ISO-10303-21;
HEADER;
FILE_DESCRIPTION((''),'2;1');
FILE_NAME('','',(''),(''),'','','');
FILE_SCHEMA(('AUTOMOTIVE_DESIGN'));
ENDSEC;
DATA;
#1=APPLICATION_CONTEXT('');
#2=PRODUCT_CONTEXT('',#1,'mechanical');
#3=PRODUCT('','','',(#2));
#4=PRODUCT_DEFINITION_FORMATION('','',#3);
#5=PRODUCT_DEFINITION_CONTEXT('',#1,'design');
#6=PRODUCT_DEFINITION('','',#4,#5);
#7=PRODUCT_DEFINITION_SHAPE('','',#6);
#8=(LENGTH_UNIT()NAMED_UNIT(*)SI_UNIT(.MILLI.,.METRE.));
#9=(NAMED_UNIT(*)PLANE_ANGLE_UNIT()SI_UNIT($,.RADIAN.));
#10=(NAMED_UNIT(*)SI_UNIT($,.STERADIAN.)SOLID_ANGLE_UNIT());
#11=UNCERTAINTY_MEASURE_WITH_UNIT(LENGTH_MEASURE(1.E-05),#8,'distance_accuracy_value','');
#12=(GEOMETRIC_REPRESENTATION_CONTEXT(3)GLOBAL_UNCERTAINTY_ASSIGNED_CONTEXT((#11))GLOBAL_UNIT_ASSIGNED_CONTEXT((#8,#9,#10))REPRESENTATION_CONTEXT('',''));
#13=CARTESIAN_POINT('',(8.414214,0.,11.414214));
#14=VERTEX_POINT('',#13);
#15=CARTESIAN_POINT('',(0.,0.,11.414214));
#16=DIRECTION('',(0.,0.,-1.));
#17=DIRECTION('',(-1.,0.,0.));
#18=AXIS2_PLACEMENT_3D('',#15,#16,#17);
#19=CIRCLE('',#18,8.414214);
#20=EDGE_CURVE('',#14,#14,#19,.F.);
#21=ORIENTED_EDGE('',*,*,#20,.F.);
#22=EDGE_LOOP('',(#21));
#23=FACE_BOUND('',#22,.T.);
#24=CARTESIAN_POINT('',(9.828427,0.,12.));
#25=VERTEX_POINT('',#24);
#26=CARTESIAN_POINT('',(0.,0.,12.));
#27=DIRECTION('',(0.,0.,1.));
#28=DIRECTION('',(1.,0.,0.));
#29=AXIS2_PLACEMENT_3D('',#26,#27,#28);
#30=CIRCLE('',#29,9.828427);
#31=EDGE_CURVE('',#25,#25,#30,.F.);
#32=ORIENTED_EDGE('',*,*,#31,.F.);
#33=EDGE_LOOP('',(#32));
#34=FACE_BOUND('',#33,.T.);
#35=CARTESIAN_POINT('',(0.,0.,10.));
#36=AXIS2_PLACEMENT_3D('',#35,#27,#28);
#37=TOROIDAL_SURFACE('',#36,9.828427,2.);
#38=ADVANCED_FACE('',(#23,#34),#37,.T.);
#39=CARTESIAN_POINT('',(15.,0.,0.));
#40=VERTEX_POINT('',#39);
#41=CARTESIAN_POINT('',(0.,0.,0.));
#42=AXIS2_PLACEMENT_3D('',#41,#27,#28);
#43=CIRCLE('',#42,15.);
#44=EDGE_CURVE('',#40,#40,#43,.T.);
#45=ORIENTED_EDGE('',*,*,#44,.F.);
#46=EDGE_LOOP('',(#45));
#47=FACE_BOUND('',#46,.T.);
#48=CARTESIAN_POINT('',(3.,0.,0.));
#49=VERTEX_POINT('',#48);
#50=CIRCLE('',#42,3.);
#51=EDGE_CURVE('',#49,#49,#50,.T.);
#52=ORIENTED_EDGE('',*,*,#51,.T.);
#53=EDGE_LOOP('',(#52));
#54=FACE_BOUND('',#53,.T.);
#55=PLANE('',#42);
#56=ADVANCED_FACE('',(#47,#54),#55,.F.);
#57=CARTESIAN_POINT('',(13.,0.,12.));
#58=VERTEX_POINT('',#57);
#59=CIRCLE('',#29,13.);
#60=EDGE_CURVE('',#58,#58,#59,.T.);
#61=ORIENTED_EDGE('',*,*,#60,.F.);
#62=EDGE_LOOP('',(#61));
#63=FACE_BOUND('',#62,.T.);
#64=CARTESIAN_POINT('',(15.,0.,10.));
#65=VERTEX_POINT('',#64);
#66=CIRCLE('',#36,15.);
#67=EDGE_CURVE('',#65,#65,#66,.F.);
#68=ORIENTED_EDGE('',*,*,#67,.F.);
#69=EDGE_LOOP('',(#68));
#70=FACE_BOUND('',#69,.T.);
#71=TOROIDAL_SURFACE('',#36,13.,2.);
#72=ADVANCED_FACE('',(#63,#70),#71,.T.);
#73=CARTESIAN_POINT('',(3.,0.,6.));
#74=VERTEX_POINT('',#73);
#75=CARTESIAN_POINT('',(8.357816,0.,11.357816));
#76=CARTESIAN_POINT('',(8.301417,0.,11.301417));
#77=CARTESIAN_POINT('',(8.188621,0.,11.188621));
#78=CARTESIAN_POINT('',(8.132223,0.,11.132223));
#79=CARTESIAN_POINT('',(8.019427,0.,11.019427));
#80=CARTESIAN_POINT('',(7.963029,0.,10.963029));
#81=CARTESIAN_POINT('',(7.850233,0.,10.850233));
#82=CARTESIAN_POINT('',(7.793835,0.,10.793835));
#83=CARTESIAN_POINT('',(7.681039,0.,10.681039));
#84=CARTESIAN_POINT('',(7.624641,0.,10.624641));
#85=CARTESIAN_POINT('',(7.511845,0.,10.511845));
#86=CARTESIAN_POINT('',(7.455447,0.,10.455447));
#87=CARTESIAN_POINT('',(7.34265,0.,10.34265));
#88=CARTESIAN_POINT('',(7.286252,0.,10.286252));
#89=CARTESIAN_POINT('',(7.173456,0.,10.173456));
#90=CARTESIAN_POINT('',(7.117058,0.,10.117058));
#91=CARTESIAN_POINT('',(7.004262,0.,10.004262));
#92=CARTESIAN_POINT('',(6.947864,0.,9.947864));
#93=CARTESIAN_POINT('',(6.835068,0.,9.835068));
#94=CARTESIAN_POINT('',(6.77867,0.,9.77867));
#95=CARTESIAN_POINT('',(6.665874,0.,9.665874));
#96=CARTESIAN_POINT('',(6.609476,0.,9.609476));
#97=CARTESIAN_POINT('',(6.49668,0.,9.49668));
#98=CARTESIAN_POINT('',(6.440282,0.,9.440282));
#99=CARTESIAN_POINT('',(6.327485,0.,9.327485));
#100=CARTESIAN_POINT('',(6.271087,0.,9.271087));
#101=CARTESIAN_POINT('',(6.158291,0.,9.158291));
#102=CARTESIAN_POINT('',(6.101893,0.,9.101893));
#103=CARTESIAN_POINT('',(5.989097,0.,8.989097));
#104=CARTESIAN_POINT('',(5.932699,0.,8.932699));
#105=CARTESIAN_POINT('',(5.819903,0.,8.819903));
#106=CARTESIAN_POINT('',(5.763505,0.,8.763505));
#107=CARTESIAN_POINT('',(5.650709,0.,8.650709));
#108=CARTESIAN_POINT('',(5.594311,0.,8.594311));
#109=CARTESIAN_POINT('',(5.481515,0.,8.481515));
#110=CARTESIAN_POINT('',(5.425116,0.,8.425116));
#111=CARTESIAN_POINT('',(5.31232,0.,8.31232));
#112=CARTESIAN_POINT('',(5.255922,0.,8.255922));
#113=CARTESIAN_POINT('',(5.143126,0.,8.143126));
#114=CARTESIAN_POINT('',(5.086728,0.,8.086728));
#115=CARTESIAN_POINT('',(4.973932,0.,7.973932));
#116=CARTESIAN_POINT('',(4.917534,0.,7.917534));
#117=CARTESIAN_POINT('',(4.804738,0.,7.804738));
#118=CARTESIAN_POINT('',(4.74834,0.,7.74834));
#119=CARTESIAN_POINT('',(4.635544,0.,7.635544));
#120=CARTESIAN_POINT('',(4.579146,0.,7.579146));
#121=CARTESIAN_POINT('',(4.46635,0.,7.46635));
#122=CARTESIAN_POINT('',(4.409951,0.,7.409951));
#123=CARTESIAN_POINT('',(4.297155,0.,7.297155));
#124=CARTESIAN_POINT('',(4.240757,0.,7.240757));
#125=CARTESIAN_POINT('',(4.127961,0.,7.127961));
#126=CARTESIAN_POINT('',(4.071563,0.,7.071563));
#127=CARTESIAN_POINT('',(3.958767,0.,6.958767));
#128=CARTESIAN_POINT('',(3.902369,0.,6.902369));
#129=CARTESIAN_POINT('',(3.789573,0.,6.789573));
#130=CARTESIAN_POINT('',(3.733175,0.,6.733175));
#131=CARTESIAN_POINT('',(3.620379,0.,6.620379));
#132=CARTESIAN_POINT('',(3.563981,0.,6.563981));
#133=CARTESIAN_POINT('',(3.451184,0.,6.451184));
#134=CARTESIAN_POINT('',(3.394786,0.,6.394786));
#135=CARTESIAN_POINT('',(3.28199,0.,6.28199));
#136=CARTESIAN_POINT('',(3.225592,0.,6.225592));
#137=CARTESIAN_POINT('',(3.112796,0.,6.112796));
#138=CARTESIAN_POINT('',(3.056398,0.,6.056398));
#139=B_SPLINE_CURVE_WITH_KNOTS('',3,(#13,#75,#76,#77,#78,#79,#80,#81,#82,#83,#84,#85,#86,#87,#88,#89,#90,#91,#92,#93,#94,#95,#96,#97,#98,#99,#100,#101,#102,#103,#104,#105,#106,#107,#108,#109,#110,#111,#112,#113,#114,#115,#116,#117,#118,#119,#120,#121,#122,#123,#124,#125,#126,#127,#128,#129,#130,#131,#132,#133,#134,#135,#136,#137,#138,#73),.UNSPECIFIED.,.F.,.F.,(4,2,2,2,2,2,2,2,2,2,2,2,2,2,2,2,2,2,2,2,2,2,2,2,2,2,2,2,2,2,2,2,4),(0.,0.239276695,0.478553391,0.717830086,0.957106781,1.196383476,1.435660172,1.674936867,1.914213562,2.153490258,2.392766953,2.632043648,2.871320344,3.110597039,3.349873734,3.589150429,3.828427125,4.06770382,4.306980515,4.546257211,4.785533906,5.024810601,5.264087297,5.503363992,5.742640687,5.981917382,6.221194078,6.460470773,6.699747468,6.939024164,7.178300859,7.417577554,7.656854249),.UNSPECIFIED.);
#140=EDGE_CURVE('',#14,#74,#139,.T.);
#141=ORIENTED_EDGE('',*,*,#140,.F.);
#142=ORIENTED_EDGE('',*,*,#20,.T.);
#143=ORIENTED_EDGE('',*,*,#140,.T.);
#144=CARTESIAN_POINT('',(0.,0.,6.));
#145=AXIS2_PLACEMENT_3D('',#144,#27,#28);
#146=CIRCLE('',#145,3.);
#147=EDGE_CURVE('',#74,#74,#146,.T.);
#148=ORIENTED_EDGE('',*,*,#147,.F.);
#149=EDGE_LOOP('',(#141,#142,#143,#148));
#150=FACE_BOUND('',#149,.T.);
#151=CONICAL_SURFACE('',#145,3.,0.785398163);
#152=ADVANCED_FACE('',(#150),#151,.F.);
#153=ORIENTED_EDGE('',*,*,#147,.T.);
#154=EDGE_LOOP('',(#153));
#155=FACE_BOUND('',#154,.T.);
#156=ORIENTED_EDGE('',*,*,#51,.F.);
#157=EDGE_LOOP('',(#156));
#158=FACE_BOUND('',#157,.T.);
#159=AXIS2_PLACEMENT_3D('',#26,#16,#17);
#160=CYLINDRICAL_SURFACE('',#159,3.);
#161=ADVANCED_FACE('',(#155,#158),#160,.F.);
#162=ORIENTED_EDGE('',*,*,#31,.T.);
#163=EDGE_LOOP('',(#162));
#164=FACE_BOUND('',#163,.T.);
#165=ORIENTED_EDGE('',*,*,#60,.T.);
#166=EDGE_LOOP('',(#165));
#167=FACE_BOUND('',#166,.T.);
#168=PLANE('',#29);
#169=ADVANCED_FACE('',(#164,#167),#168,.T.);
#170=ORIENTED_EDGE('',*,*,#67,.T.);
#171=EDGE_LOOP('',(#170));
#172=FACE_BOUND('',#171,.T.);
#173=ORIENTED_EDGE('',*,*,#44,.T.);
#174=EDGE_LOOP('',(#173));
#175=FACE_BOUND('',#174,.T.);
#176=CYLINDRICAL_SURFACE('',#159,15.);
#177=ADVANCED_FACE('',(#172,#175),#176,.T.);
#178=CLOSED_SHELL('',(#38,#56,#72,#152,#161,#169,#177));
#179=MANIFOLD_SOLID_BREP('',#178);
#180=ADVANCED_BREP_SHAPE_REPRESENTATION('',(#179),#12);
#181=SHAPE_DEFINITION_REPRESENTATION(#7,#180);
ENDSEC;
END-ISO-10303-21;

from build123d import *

# Parameters (mm, degrees)
ESQUISSE1_R        = 15
ESQUISSE1_R_2      = 3
BOSS_EXTRU_1_DEPTH = 12
CHANFREIN1_SIZE    = 6
CONG_1_R           = 2


with BuildPart() as part:
    # Esquisse1 → Boss.-Extru.1 (new body)
    with BuildSketch(Plane.XY):
        Circle(ESQUISSE1_R)
        Circle(ESQUISSE1_R_2, mode=Mode.SUBTRACT)
    extrude(amount=BOSS_EXTRU_1_DEPTH)

    # Chanfrein1
    chanfrein1_edges = [part.edges().sort_by_distance(p)[0] for p in [
        (-3, 0, 12),
    ]]
    chamfer(chanfrein1_edges, length=CHANFREIN1_SIZE)

    # Congé1
    cong_1_edges = [part.edges().sort_by_distance(p)[0] for p in [
        (-9, 0, 12),
        (-15, 0, 12),
    ]]
    fillet(cong_1_edges, radius=CONG_1_R)


solid = part.part
